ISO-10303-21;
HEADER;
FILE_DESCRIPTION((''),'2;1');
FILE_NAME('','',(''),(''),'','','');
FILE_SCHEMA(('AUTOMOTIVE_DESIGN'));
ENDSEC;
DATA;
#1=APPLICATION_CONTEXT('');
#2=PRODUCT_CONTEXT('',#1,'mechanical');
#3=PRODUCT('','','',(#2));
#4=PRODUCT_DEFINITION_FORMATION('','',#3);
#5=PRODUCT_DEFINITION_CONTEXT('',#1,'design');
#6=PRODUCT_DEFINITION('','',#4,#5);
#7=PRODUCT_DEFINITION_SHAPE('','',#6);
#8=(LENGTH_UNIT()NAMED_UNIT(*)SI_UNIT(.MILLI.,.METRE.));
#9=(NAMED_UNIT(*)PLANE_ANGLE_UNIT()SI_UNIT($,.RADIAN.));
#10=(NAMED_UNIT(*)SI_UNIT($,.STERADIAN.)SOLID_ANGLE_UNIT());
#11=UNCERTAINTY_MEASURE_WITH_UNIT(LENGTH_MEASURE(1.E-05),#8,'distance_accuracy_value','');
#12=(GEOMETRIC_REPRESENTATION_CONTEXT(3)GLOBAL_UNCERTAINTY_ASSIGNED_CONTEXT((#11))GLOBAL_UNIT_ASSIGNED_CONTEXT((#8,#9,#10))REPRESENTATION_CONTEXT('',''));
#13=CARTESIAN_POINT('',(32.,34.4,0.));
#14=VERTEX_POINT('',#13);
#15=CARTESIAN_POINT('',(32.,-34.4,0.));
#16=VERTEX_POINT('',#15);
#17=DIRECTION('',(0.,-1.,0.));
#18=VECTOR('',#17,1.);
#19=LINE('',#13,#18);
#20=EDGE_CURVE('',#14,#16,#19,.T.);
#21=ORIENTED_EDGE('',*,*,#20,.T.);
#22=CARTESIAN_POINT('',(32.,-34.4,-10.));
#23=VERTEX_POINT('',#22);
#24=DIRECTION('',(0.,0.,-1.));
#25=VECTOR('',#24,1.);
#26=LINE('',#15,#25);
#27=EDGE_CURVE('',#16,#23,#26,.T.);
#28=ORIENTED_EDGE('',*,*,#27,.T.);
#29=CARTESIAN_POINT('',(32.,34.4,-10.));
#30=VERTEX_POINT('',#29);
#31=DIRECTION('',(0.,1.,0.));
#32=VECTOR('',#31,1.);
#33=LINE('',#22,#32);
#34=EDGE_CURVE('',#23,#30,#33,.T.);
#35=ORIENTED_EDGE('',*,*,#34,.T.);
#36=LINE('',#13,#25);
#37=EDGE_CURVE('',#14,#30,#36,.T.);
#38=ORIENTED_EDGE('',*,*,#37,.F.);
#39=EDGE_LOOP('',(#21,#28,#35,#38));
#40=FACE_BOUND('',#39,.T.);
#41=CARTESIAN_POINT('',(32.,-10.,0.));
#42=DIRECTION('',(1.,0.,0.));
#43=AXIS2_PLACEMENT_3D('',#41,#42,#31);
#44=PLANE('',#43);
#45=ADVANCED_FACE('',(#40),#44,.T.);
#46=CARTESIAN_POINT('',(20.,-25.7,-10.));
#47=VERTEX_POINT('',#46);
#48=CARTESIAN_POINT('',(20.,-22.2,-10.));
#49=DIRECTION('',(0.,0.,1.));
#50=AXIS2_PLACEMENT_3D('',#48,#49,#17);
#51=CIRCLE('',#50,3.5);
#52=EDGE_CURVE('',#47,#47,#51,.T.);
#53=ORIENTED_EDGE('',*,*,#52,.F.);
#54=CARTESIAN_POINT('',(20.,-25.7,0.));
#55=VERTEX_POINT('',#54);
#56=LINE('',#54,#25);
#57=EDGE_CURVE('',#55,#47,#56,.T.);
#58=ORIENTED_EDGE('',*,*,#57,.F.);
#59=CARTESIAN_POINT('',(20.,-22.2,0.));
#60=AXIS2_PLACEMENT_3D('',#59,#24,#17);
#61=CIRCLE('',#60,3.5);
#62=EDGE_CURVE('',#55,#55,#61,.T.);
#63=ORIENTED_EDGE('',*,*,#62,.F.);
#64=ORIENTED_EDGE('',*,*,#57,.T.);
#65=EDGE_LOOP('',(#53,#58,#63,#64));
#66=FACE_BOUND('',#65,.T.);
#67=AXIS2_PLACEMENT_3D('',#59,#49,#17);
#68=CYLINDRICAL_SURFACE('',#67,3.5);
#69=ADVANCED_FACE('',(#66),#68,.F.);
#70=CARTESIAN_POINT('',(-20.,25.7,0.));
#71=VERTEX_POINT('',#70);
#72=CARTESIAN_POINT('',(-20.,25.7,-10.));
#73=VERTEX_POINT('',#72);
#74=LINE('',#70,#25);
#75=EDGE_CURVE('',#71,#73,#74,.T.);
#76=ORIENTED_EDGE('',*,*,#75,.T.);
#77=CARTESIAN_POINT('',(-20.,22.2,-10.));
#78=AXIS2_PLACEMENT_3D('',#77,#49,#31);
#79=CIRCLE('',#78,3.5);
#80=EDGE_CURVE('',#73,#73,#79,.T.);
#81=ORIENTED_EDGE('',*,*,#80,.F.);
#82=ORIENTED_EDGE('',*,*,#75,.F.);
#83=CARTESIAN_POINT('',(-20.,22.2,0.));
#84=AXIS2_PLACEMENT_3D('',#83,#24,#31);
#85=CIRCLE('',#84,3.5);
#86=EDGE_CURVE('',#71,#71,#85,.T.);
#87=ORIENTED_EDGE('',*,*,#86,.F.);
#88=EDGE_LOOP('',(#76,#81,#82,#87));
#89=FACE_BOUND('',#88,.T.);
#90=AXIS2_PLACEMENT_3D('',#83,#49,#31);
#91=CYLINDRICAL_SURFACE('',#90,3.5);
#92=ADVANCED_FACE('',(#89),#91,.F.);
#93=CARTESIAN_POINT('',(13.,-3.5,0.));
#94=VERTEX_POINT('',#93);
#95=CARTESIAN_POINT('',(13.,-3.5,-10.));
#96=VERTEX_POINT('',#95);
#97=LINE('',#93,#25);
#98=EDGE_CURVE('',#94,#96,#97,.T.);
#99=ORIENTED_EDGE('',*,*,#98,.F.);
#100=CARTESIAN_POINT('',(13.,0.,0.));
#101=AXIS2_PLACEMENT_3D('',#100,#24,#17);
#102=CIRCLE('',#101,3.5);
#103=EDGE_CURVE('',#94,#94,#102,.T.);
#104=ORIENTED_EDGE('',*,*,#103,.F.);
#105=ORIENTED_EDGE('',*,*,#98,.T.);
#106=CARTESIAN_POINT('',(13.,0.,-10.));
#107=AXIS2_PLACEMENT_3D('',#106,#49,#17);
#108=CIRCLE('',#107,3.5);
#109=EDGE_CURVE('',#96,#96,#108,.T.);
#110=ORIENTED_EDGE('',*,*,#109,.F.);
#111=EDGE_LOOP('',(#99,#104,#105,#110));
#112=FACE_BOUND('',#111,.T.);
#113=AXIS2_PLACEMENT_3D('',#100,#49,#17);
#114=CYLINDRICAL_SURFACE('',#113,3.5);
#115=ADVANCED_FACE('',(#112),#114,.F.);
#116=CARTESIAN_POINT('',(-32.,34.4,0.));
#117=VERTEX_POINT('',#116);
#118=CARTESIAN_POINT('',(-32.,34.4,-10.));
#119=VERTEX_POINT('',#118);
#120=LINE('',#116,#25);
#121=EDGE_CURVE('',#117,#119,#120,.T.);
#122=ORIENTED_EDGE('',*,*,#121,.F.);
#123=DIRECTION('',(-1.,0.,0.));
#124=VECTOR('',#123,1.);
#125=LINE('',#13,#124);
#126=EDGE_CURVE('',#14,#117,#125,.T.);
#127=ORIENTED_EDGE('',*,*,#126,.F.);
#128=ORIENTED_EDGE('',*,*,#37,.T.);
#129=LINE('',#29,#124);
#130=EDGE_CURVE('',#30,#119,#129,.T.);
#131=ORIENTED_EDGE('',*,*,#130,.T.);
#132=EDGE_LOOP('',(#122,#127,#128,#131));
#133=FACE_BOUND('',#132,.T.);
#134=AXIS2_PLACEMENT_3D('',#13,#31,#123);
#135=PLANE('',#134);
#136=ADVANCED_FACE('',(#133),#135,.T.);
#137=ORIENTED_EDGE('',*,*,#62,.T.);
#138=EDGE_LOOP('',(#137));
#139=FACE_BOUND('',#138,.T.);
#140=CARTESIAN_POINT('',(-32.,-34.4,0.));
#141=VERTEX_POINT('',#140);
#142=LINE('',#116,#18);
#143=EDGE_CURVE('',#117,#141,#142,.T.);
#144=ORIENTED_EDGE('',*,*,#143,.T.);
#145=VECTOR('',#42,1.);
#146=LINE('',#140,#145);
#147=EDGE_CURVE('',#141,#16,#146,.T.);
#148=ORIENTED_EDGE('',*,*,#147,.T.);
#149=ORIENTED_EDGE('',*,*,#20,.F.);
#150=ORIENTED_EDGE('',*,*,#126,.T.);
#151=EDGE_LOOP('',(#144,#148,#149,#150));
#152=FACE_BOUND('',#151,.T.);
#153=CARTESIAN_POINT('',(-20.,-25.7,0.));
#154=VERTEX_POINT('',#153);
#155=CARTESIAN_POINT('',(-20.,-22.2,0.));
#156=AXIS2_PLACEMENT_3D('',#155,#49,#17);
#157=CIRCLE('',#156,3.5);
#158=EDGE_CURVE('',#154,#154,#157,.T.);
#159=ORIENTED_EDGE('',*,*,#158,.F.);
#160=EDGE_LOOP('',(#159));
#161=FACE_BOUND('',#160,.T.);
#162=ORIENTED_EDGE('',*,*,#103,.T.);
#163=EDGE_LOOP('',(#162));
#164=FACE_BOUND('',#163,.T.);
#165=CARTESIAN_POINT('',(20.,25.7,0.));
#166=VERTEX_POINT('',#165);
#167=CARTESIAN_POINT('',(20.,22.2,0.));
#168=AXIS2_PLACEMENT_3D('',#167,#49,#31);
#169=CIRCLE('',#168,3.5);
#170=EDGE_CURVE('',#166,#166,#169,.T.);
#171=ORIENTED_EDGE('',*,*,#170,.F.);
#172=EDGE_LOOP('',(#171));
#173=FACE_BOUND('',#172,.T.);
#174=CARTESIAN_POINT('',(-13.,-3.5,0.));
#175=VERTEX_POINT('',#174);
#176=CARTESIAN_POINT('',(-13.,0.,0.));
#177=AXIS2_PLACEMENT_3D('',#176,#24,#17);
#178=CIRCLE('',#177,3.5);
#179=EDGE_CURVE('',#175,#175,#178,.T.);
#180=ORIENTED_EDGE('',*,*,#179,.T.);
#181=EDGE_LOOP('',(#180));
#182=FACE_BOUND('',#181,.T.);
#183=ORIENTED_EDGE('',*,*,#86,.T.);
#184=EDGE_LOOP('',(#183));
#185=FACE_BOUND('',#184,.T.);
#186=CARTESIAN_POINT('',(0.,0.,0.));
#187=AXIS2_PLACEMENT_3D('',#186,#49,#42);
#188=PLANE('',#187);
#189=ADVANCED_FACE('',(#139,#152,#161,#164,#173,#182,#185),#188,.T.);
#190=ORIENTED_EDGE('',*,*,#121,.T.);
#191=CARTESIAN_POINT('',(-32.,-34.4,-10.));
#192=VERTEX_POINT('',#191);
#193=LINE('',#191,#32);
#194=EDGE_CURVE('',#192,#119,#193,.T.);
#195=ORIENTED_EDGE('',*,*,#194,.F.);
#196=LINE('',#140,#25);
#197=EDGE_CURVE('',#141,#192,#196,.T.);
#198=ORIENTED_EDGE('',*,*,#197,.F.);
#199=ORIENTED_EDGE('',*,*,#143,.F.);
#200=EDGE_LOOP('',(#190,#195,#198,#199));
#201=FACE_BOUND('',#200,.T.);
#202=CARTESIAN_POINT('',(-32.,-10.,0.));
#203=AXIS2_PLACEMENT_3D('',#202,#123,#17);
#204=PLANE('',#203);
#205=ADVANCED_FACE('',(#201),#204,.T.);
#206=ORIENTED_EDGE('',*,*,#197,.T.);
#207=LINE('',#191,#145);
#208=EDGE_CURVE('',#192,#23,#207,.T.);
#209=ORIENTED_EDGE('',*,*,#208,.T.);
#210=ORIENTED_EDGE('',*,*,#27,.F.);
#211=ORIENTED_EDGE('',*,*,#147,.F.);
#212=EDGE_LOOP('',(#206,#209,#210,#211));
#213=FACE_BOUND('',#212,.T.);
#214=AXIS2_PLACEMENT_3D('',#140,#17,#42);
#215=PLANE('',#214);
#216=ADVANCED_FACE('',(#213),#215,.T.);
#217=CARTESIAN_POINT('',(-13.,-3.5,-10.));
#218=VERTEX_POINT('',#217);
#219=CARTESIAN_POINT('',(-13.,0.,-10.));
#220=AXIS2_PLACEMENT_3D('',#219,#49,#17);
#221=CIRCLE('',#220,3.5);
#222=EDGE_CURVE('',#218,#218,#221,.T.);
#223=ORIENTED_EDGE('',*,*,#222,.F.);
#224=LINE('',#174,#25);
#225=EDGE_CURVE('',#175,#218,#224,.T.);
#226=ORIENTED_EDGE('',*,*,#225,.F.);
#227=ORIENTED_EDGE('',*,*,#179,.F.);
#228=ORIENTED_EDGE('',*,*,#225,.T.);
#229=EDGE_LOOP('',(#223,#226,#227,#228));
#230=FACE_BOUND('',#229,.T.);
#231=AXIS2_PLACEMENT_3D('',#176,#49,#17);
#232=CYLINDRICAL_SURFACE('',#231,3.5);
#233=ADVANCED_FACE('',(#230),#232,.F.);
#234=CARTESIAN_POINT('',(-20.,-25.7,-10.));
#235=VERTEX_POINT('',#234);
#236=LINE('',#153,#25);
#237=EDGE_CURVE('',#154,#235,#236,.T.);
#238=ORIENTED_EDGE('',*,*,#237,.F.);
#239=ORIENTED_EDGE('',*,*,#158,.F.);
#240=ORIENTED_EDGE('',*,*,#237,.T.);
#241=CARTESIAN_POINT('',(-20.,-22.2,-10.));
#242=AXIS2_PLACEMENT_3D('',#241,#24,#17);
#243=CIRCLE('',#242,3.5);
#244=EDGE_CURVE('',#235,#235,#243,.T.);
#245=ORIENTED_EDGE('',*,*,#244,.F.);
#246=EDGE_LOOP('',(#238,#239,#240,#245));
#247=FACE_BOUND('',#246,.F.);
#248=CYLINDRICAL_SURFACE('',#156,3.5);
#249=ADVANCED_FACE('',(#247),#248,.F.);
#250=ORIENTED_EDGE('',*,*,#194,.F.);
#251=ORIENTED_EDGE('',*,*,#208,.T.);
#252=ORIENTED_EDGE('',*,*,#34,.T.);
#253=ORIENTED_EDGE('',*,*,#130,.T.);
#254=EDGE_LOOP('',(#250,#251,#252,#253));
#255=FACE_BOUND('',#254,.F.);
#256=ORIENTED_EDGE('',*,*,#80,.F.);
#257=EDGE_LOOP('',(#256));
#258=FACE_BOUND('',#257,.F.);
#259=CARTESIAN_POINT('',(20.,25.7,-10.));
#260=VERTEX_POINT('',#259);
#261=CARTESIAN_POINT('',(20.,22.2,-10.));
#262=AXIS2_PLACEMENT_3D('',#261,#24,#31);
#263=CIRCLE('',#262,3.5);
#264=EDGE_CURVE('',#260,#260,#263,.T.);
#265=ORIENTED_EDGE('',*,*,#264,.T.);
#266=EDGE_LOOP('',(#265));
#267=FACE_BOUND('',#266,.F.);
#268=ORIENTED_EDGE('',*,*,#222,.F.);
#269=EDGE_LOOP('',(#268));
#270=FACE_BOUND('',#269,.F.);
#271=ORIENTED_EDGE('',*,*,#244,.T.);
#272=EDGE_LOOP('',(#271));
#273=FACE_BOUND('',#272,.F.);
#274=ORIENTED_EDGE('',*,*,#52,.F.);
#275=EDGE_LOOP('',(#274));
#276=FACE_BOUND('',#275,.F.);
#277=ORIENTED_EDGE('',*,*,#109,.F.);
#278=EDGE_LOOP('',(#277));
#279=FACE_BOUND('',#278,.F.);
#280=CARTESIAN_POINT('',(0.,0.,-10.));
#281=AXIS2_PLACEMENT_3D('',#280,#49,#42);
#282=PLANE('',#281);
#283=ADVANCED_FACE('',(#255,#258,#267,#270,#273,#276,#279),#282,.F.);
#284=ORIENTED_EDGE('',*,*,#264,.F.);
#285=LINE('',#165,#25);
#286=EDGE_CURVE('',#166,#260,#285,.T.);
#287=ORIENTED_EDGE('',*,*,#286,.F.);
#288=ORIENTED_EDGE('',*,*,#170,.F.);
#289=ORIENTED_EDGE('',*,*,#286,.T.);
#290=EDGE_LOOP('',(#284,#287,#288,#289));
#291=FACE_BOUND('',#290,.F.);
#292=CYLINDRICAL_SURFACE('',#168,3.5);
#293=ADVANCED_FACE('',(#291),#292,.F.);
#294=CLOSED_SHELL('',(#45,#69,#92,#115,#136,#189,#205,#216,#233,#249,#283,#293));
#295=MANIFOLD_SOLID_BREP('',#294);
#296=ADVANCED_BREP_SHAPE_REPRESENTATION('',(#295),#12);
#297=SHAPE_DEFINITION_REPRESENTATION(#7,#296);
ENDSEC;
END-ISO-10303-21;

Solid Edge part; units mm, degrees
sketch "Sketch1" plane through (0, 0, 0) normal (0, 0, 1) x (1, 0, 0)
  line L0 (32, -10) -> (32, 10)
  line L1 (32, 10) -> (32, 34.4)
  line L2 (32, 34.4) -> (-32, 34.4)
  line L3 (-32, 34.4) -> (-32, 10)
  line L4 (-32, 10) -> (-32, -10)
  line L5 (-32, -10) -> (-32, -34.4)
  line L6 (-32, -34.4) -> (32, -34.4)
  line L7 (32, -34.4) -> (32, -10)
extrude "Protrusion1" add sketch "Sketch1" against normal blind 10
hole "Hole_1" at (20, -22.2, 0) direction (0, 0, -1) diameter 7 end up to next
mirror "Mirror1" about plane through (0, 0, 0) normal (1, 0, 0) of "Hole_1"
mirror "Mirror2" about plane through (0, 0, 0) normal (0, -1, 0) of "Mirror1", "Hole_1"
hole "Hole_4" at (13, 0, 0) direction (0, 0, -1) diameter 7 end up to next
hole "Hole2" at (-13, 0, 0) direction (0, 0, -1) diameter 7 end up to next
